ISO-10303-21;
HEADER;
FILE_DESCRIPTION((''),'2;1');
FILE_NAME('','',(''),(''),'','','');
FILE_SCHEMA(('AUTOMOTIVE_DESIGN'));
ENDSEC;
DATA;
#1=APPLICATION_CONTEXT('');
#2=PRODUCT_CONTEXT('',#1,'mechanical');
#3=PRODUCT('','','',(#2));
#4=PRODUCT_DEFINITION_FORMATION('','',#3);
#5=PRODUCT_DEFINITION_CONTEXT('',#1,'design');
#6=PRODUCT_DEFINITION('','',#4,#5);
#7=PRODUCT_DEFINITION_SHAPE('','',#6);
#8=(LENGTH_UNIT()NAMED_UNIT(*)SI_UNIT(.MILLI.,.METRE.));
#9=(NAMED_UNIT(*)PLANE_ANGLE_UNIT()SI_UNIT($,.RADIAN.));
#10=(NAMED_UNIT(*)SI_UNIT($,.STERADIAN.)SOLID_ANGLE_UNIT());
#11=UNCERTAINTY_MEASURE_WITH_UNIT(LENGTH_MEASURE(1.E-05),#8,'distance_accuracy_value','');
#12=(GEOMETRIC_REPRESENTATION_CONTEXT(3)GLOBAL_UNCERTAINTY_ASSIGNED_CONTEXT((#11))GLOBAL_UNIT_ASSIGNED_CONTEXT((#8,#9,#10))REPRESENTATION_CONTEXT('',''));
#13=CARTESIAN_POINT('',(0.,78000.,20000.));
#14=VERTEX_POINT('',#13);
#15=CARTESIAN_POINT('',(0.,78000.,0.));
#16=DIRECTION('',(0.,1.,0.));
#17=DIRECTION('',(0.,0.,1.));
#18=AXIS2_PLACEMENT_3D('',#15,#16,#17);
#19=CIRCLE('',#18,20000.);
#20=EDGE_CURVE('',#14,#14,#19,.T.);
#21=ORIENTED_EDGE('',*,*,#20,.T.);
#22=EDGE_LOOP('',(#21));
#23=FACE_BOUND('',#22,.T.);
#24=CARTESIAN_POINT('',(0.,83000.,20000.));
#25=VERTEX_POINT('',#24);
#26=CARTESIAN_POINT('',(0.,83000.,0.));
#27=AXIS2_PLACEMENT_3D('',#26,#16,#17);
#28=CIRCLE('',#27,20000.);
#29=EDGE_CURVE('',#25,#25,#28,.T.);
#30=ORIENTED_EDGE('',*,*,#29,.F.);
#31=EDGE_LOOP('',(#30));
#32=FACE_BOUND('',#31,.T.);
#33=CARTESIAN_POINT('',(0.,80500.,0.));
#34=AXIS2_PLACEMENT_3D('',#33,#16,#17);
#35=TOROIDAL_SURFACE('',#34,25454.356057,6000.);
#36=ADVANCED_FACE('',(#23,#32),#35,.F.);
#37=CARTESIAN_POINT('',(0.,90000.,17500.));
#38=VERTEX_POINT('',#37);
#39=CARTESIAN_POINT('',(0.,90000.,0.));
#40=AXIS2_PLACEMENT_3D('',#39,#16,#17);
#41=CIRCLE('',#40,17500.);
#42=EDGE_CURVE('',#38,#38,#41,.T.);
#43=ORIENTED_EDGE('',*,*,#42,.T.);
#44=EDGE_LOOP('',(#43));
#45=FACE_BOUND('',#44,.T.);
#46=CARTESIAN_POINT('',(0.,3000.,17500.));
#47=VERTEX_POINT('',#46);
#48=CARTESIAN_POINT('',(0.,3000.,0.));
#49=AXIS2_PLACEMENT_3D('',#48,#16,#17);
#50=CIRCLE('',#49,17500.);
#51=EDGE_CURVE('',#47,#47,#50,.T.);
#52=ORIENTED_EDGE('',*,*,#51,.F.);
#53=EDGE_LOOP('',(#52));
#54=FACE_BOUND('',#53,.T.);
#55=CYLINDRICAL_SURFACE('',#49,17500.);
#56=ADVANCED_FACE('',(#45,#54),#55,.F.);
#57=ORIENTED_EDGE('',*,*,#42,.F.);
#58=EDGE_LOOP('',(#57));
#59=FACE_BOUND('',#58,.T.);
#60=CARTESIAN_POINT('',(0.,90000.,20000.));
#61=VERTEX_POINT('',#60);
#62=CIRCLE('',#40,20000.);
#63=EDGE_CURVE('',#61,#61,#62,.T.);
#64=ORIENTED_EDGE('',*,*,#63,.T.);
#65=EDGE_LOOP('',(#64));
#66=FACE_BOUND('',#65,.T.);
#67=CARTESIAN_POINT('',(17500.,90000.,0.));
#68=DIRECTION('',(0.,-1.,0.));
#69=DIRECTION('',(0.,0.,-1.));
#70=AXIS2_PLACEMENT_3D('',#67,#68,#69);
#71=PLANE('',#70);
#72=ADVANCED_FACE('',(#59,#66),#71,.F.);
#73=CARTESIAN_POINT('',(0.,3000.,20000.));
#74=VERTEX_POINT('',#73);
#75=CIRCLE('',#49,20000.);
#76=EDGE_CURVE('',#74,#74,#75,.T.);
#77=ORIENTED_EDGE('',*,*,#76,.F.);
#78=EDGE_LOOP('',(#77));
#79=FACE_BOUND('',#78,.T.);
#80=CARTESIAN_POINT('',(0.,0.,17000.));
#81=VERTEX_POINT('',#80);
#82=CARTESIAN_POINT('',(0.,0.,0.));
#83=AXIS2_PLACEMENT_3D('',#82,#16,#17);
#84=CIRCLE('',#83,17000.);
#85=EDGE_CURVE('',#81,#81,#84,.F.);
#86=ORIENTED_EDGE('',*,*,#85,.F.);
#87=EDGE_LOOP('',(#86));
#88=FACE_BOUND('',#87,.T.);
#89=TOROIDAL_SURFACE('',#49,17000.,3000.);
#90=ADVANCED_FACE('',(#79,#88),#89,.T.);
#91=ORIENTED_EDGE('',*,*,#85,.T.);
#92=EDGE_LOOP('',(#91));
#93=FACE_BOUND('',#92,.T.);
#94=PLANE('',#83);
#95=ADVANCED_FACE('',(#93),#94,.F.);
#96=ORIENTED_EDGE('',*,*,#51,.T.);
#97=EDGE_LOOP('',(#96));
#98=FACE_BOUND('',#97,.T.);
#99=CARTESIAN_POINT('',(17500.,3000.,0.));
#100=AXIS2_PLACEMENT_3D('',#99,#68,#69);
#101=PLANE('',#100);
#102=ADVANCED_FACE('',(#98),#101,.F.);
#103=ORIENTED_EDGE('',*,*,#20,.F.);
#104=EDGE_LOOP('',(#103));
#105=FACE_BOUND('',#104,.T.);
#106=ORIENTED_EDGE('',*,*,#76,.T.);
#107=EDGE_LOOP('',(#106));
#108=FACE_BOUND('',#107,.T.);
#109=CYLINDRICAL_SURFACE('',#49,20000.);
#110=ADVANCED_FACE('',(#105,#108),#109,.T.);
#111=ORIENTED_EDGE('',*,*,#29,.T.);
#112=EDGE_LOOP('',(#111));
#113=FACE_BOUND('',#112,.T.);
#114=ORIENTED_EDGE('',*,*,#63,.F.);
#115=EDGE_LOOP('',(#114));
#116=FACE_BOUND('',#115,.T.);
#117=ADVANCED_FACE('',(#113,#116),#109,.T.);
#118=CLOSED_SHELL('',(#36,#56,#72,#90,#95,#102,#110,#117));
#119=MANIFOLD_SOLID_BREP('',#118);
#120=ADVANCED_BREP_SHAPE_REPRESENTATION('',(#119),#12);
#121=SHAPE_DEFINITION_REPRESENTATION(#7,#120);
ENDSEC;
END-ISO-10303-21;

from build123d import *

# Parameters (mm, degrees)
FILLET4_R = 3000


with BuildPart() as part:
    # Sketch7 → Revolve1 (revolve)
    with BuildSketch(Plane.XY, mode=Mode.PRIVATE) as revolve1_sk:
        with BuildLine():
            Line((0, 0), (20000, 0))
            Line((20000, 0), (20000, 78000))
            ThreePointArc((20000, 78000), (19454.356057318, 80500), (20000, 83000))
            Line((20000, 83000), (20000, 90000))
            Line((20000, 90000), (17500, 90000))
            Line((17500, 90000), (17500, 3000))
            Line((17500, 3000), (0, 3000))
            Line((0, 3000), (0, 0))
        make_face()
    revolve(revolve1_sk.sketch.rotate(Axis((0, 3000, 0), (0, -1, 0)), 90), axis=Axis((0, 3000, 0), (0, -1, 0)))

    # Fillet4
    fillet4_edges = [part.edges().sort_by_distance(p)[0] for p in [
        (0, 0, -20000),
    ]]
    fillet(fillet4_edges, radius=FILLET4_R)


solid = part.part
